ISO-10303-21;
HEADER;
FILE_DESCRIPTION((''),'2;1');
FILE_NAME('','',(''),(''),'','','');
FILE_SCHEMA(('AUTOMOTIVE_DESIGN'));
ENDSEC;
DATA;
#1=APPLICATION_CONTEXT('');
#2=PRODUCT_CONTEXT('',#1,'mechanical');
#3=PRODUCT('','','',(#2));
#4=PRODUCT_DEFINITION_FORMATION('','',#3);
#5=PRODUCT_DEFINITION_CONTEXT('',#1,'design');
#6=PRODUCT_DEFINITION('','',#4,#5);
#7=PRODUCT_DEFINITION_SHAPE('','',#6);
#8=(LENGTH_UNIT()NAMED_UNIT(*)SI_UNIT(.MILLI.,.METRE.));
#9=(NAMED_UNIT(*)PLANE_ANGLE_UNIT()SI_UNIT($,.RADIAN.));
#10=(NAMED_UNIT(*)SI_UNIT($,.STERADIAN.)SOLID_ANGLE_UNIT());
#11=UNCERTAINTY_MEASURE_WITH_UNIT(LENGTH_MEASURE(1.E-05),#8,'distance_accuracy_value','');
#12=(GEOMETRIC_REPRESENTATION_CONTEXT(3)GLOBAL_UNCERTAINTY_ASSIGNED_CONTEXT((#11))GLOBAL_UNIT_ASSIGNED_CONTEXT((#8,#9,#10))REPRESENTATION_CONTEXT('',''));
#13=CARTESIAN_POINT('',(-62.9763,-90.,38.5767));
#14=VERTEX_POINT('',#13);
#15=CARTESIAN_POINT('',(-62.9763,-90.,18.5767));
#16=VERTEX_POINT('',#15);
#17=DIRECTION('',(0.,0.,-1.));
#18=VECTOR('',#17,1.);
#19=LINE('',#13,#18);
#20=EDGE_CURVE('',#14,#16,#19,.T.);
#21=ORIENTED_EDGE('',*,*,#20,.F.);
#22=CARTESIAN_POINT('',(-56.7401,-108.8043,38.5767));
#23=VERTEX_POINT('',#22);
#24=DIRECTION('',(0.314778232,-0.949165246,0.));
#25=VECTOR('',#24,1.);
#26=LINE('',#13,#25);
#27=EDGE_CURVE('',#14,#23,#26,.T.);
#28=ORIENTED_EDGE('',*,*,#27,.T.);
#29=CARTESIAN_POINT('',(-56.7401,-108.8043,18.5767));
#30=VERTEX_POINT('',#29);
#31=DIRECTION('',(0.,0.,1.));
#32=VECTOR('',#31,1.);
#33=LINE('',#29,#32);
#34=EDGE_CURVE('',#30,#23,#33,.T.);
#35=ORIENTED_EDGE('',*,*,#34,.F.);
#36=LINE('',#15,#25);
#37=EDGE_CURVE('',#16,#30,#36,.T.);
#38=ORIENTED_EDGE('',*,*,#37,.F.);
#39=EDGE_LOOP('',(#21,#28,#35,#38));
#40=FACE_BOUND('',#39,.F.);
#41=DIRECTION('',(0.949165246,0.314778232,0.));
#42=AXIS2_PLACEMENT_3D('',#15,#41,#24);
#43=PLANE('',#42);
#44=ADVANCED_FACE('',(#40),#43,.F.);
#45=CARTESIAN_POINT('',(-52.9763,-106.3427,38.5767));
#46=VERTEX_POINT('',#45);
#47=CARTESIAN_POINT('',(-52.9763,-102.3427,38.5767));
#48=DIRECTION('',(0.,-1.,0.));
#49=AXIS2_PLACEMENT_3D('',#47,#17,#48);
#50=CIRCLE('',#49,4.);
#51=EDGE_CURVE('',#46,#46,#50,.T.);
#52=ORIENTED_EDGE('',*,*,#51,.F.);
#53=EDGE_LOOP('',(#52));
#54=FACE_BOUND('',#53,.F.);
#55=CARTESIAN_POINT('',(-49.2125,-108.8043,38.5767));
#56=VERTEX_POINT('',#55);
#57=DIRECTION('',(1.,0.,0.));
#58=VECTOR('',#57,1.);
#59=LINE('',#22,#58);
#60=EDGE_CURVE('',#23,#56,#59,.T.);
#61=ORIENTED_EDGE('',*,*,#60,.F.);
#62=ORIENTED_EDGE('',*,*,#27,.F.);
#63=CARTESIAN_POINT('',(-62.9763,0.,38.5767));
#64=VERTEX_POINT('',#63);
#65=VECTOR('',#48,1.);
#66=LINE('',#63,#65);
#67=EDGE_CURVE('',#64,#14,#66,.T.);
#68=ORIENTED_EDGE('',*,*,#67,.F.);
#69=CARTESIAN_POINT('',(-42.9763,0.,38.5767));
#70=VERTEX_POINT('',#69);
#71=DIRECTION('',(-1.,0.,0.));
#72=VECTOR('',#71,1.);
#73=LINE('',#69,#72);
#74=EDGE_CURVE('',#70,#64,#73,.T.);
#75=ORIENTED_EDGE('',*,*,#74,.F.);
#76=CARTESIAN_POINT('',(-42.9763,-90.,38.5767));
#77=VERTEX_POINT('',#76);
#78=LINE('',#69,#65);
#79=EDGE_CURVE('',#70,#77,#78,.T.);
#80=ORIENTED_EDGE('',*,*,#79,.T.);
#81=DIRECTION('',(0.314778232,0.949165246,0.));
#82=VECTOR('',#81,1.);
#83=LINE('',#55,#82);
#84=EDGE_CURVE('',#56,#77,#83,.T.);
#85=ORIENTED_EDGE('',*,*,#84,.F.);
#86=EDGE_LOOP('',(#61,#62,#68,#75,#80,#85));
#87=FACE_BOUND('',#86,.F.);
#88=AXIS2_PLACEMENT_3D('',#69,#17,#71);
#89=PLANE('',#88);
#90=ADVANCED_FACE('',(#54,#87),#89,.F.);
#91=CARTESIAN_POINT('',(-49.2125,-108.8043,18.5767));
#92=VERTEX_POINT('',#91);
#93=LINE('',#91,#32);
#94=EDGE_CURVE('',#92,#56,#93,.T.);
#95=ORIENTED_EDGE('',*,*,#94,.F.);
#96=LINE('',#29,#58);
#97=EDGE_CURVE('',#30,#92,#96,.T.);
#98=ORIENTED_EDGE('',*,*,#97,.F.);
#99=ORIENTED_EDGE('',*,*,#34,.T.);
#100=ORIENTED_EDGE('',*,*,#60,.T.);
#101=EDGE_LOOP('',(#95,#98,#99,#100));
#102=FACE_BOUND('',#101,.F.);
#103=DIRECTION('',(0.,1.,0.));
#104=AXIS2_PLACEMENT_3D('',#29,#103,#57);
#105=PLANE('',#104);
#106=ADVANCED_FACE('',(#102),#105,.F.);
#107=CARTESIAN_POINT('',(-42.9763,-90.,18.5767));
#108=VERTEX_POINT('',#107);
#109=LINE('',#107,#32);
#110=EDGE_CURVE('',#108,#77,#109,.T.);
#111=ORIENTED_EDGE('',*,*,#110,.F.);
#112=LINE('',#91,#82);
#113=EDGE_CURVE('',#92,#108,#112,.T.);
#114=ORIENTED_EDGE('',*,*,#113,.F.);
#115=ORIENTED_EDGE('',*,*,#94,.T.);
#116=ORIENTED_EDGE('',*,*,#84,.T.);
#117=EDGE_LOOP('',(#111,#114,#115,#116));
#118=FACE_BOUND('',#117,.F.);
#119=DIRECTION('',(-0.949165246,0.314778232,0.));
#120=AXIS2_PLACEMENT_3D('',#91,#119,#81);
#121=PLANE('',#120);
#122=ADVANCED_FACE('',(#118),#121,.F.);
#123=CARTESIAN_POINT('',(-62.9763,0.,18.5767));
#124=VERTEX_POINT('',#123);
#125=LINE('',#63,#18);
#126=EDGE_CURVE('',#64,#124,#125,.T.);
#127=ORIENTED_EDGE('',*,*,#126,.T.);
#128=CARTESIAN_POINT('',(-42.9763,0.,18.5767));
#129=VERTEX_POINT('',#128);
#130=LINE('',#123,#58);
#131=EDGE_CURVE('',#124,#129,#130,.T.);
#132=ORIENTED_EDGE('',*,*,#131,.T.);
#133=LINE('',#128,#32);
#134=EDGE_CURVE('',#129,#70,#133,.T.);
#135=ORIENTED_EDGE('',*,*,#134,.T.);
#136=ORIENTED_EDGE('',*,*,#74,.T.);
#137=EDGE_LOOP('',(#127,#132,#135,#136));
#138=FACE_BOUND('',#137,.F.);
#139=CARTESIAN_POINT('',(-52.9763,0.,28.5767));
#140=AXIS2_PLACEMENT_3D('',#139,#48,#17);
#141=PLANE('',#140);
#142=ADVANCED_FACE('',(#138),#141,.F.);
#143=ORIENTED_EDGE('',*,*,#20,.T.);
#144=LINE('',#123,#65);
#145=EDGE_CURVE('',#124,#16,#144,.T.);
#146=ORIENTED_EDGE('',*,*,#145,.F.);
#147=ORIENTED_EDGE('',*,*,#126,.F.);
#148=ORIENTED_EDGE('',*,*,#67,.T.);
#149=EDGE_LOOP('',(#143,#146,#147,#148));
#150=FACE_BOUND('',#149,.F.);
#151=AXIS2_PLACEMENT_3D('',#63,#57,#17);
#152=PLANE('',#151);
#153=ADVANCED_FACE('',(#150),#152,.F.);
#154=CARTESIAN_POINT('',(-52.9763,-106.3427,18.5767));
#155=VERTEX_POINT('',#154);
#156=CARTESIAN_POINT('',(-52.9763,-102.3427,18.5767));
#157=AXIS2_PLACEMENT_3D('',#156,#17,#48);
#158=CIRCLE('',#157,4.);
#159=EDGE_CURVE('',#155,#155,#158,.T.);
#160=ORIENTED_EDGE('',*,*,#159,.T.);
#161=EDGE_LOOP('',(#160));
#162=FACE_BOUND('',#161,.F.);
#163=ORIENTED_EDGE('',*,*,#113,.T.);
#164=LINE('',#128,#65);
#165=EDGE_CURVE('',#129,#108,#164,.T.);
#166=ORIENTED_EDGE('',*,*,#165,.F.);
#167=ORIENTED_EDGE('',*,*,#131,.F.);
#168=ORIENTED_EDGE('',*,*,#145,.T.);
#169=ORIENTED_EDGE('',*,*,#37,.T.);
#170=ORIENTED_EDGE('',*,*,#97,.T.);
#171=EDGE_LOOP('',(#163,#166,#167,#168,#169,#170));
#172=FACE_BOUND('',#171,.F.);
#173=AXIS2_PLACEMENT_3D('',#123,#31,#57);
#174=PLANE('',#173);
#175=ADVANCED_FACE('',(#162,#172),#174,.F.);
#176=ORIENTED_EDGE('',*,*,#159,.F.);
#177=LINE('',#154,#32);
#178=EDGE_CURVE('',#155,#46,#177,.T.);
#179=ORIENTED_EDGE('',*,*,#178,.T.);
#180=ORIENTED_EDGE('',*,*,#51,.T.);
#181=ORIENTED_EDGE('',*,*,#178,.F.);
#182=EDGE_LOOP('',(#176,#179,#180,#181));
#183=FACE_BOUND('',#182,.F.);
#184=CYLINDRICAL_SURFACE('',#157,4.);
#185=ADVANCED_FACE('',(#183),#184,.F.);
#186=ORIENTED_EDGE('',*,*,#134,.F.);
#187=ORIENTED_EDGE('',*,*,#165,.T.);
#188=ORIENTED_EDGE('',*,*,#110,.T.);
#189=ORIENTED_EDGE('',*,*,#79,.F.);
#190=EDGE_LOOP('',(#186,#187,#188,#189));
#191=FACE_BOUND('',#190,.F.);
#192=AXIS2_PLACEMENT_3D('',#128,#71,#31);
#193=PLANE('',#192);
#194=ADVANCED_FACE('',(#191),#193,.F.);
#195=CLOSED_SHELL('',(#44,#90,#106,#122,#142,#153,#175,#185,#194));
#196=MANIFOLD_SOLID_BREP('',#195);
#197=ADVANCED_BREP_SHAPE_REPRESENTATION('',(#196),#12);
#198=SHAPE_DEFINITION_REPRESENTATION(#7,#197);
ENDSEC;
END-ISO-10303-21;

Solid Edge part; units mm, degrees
sketch "Sketch1" plane through (0, 0, 0) normal (0, -1, 0) x (1, 0, 0)
  line L0 (-62.9763, 18.5767) -> (-42.9763, 18.5767)
  line L1 (-42.9763, 18.5767) -> (-42.9763, 38.5767)
  line L2 (-42.9763, 38.5767) -> (-62.9763, 38.5767)
  line L3 (-62.9763, 38.5767) -> (-62.9763, 18.5767)
extrude "Protrusion1" add sketch "Sketch1" along normal blind 90
sketch "Sketch2" plane through (-52.9763, -30, 18.5767) normal (0, 0, -1) x (0, -1, 0)
  circle A0 centre (72.3427, 0) radius 4
  line L0 (60, 10) -> (78.8043, 3.7638)
  line L1 (78.8043, 3.7638) -> (78.8043, -3.7638)
  line L2 (78.8043, -3.7638) -> (60, -10)
  line L3 (60, -10) -> (60, 10)
extrude "Protrusion2" add sketch "Sketch2" against normal up to vertex (20 mm away)
